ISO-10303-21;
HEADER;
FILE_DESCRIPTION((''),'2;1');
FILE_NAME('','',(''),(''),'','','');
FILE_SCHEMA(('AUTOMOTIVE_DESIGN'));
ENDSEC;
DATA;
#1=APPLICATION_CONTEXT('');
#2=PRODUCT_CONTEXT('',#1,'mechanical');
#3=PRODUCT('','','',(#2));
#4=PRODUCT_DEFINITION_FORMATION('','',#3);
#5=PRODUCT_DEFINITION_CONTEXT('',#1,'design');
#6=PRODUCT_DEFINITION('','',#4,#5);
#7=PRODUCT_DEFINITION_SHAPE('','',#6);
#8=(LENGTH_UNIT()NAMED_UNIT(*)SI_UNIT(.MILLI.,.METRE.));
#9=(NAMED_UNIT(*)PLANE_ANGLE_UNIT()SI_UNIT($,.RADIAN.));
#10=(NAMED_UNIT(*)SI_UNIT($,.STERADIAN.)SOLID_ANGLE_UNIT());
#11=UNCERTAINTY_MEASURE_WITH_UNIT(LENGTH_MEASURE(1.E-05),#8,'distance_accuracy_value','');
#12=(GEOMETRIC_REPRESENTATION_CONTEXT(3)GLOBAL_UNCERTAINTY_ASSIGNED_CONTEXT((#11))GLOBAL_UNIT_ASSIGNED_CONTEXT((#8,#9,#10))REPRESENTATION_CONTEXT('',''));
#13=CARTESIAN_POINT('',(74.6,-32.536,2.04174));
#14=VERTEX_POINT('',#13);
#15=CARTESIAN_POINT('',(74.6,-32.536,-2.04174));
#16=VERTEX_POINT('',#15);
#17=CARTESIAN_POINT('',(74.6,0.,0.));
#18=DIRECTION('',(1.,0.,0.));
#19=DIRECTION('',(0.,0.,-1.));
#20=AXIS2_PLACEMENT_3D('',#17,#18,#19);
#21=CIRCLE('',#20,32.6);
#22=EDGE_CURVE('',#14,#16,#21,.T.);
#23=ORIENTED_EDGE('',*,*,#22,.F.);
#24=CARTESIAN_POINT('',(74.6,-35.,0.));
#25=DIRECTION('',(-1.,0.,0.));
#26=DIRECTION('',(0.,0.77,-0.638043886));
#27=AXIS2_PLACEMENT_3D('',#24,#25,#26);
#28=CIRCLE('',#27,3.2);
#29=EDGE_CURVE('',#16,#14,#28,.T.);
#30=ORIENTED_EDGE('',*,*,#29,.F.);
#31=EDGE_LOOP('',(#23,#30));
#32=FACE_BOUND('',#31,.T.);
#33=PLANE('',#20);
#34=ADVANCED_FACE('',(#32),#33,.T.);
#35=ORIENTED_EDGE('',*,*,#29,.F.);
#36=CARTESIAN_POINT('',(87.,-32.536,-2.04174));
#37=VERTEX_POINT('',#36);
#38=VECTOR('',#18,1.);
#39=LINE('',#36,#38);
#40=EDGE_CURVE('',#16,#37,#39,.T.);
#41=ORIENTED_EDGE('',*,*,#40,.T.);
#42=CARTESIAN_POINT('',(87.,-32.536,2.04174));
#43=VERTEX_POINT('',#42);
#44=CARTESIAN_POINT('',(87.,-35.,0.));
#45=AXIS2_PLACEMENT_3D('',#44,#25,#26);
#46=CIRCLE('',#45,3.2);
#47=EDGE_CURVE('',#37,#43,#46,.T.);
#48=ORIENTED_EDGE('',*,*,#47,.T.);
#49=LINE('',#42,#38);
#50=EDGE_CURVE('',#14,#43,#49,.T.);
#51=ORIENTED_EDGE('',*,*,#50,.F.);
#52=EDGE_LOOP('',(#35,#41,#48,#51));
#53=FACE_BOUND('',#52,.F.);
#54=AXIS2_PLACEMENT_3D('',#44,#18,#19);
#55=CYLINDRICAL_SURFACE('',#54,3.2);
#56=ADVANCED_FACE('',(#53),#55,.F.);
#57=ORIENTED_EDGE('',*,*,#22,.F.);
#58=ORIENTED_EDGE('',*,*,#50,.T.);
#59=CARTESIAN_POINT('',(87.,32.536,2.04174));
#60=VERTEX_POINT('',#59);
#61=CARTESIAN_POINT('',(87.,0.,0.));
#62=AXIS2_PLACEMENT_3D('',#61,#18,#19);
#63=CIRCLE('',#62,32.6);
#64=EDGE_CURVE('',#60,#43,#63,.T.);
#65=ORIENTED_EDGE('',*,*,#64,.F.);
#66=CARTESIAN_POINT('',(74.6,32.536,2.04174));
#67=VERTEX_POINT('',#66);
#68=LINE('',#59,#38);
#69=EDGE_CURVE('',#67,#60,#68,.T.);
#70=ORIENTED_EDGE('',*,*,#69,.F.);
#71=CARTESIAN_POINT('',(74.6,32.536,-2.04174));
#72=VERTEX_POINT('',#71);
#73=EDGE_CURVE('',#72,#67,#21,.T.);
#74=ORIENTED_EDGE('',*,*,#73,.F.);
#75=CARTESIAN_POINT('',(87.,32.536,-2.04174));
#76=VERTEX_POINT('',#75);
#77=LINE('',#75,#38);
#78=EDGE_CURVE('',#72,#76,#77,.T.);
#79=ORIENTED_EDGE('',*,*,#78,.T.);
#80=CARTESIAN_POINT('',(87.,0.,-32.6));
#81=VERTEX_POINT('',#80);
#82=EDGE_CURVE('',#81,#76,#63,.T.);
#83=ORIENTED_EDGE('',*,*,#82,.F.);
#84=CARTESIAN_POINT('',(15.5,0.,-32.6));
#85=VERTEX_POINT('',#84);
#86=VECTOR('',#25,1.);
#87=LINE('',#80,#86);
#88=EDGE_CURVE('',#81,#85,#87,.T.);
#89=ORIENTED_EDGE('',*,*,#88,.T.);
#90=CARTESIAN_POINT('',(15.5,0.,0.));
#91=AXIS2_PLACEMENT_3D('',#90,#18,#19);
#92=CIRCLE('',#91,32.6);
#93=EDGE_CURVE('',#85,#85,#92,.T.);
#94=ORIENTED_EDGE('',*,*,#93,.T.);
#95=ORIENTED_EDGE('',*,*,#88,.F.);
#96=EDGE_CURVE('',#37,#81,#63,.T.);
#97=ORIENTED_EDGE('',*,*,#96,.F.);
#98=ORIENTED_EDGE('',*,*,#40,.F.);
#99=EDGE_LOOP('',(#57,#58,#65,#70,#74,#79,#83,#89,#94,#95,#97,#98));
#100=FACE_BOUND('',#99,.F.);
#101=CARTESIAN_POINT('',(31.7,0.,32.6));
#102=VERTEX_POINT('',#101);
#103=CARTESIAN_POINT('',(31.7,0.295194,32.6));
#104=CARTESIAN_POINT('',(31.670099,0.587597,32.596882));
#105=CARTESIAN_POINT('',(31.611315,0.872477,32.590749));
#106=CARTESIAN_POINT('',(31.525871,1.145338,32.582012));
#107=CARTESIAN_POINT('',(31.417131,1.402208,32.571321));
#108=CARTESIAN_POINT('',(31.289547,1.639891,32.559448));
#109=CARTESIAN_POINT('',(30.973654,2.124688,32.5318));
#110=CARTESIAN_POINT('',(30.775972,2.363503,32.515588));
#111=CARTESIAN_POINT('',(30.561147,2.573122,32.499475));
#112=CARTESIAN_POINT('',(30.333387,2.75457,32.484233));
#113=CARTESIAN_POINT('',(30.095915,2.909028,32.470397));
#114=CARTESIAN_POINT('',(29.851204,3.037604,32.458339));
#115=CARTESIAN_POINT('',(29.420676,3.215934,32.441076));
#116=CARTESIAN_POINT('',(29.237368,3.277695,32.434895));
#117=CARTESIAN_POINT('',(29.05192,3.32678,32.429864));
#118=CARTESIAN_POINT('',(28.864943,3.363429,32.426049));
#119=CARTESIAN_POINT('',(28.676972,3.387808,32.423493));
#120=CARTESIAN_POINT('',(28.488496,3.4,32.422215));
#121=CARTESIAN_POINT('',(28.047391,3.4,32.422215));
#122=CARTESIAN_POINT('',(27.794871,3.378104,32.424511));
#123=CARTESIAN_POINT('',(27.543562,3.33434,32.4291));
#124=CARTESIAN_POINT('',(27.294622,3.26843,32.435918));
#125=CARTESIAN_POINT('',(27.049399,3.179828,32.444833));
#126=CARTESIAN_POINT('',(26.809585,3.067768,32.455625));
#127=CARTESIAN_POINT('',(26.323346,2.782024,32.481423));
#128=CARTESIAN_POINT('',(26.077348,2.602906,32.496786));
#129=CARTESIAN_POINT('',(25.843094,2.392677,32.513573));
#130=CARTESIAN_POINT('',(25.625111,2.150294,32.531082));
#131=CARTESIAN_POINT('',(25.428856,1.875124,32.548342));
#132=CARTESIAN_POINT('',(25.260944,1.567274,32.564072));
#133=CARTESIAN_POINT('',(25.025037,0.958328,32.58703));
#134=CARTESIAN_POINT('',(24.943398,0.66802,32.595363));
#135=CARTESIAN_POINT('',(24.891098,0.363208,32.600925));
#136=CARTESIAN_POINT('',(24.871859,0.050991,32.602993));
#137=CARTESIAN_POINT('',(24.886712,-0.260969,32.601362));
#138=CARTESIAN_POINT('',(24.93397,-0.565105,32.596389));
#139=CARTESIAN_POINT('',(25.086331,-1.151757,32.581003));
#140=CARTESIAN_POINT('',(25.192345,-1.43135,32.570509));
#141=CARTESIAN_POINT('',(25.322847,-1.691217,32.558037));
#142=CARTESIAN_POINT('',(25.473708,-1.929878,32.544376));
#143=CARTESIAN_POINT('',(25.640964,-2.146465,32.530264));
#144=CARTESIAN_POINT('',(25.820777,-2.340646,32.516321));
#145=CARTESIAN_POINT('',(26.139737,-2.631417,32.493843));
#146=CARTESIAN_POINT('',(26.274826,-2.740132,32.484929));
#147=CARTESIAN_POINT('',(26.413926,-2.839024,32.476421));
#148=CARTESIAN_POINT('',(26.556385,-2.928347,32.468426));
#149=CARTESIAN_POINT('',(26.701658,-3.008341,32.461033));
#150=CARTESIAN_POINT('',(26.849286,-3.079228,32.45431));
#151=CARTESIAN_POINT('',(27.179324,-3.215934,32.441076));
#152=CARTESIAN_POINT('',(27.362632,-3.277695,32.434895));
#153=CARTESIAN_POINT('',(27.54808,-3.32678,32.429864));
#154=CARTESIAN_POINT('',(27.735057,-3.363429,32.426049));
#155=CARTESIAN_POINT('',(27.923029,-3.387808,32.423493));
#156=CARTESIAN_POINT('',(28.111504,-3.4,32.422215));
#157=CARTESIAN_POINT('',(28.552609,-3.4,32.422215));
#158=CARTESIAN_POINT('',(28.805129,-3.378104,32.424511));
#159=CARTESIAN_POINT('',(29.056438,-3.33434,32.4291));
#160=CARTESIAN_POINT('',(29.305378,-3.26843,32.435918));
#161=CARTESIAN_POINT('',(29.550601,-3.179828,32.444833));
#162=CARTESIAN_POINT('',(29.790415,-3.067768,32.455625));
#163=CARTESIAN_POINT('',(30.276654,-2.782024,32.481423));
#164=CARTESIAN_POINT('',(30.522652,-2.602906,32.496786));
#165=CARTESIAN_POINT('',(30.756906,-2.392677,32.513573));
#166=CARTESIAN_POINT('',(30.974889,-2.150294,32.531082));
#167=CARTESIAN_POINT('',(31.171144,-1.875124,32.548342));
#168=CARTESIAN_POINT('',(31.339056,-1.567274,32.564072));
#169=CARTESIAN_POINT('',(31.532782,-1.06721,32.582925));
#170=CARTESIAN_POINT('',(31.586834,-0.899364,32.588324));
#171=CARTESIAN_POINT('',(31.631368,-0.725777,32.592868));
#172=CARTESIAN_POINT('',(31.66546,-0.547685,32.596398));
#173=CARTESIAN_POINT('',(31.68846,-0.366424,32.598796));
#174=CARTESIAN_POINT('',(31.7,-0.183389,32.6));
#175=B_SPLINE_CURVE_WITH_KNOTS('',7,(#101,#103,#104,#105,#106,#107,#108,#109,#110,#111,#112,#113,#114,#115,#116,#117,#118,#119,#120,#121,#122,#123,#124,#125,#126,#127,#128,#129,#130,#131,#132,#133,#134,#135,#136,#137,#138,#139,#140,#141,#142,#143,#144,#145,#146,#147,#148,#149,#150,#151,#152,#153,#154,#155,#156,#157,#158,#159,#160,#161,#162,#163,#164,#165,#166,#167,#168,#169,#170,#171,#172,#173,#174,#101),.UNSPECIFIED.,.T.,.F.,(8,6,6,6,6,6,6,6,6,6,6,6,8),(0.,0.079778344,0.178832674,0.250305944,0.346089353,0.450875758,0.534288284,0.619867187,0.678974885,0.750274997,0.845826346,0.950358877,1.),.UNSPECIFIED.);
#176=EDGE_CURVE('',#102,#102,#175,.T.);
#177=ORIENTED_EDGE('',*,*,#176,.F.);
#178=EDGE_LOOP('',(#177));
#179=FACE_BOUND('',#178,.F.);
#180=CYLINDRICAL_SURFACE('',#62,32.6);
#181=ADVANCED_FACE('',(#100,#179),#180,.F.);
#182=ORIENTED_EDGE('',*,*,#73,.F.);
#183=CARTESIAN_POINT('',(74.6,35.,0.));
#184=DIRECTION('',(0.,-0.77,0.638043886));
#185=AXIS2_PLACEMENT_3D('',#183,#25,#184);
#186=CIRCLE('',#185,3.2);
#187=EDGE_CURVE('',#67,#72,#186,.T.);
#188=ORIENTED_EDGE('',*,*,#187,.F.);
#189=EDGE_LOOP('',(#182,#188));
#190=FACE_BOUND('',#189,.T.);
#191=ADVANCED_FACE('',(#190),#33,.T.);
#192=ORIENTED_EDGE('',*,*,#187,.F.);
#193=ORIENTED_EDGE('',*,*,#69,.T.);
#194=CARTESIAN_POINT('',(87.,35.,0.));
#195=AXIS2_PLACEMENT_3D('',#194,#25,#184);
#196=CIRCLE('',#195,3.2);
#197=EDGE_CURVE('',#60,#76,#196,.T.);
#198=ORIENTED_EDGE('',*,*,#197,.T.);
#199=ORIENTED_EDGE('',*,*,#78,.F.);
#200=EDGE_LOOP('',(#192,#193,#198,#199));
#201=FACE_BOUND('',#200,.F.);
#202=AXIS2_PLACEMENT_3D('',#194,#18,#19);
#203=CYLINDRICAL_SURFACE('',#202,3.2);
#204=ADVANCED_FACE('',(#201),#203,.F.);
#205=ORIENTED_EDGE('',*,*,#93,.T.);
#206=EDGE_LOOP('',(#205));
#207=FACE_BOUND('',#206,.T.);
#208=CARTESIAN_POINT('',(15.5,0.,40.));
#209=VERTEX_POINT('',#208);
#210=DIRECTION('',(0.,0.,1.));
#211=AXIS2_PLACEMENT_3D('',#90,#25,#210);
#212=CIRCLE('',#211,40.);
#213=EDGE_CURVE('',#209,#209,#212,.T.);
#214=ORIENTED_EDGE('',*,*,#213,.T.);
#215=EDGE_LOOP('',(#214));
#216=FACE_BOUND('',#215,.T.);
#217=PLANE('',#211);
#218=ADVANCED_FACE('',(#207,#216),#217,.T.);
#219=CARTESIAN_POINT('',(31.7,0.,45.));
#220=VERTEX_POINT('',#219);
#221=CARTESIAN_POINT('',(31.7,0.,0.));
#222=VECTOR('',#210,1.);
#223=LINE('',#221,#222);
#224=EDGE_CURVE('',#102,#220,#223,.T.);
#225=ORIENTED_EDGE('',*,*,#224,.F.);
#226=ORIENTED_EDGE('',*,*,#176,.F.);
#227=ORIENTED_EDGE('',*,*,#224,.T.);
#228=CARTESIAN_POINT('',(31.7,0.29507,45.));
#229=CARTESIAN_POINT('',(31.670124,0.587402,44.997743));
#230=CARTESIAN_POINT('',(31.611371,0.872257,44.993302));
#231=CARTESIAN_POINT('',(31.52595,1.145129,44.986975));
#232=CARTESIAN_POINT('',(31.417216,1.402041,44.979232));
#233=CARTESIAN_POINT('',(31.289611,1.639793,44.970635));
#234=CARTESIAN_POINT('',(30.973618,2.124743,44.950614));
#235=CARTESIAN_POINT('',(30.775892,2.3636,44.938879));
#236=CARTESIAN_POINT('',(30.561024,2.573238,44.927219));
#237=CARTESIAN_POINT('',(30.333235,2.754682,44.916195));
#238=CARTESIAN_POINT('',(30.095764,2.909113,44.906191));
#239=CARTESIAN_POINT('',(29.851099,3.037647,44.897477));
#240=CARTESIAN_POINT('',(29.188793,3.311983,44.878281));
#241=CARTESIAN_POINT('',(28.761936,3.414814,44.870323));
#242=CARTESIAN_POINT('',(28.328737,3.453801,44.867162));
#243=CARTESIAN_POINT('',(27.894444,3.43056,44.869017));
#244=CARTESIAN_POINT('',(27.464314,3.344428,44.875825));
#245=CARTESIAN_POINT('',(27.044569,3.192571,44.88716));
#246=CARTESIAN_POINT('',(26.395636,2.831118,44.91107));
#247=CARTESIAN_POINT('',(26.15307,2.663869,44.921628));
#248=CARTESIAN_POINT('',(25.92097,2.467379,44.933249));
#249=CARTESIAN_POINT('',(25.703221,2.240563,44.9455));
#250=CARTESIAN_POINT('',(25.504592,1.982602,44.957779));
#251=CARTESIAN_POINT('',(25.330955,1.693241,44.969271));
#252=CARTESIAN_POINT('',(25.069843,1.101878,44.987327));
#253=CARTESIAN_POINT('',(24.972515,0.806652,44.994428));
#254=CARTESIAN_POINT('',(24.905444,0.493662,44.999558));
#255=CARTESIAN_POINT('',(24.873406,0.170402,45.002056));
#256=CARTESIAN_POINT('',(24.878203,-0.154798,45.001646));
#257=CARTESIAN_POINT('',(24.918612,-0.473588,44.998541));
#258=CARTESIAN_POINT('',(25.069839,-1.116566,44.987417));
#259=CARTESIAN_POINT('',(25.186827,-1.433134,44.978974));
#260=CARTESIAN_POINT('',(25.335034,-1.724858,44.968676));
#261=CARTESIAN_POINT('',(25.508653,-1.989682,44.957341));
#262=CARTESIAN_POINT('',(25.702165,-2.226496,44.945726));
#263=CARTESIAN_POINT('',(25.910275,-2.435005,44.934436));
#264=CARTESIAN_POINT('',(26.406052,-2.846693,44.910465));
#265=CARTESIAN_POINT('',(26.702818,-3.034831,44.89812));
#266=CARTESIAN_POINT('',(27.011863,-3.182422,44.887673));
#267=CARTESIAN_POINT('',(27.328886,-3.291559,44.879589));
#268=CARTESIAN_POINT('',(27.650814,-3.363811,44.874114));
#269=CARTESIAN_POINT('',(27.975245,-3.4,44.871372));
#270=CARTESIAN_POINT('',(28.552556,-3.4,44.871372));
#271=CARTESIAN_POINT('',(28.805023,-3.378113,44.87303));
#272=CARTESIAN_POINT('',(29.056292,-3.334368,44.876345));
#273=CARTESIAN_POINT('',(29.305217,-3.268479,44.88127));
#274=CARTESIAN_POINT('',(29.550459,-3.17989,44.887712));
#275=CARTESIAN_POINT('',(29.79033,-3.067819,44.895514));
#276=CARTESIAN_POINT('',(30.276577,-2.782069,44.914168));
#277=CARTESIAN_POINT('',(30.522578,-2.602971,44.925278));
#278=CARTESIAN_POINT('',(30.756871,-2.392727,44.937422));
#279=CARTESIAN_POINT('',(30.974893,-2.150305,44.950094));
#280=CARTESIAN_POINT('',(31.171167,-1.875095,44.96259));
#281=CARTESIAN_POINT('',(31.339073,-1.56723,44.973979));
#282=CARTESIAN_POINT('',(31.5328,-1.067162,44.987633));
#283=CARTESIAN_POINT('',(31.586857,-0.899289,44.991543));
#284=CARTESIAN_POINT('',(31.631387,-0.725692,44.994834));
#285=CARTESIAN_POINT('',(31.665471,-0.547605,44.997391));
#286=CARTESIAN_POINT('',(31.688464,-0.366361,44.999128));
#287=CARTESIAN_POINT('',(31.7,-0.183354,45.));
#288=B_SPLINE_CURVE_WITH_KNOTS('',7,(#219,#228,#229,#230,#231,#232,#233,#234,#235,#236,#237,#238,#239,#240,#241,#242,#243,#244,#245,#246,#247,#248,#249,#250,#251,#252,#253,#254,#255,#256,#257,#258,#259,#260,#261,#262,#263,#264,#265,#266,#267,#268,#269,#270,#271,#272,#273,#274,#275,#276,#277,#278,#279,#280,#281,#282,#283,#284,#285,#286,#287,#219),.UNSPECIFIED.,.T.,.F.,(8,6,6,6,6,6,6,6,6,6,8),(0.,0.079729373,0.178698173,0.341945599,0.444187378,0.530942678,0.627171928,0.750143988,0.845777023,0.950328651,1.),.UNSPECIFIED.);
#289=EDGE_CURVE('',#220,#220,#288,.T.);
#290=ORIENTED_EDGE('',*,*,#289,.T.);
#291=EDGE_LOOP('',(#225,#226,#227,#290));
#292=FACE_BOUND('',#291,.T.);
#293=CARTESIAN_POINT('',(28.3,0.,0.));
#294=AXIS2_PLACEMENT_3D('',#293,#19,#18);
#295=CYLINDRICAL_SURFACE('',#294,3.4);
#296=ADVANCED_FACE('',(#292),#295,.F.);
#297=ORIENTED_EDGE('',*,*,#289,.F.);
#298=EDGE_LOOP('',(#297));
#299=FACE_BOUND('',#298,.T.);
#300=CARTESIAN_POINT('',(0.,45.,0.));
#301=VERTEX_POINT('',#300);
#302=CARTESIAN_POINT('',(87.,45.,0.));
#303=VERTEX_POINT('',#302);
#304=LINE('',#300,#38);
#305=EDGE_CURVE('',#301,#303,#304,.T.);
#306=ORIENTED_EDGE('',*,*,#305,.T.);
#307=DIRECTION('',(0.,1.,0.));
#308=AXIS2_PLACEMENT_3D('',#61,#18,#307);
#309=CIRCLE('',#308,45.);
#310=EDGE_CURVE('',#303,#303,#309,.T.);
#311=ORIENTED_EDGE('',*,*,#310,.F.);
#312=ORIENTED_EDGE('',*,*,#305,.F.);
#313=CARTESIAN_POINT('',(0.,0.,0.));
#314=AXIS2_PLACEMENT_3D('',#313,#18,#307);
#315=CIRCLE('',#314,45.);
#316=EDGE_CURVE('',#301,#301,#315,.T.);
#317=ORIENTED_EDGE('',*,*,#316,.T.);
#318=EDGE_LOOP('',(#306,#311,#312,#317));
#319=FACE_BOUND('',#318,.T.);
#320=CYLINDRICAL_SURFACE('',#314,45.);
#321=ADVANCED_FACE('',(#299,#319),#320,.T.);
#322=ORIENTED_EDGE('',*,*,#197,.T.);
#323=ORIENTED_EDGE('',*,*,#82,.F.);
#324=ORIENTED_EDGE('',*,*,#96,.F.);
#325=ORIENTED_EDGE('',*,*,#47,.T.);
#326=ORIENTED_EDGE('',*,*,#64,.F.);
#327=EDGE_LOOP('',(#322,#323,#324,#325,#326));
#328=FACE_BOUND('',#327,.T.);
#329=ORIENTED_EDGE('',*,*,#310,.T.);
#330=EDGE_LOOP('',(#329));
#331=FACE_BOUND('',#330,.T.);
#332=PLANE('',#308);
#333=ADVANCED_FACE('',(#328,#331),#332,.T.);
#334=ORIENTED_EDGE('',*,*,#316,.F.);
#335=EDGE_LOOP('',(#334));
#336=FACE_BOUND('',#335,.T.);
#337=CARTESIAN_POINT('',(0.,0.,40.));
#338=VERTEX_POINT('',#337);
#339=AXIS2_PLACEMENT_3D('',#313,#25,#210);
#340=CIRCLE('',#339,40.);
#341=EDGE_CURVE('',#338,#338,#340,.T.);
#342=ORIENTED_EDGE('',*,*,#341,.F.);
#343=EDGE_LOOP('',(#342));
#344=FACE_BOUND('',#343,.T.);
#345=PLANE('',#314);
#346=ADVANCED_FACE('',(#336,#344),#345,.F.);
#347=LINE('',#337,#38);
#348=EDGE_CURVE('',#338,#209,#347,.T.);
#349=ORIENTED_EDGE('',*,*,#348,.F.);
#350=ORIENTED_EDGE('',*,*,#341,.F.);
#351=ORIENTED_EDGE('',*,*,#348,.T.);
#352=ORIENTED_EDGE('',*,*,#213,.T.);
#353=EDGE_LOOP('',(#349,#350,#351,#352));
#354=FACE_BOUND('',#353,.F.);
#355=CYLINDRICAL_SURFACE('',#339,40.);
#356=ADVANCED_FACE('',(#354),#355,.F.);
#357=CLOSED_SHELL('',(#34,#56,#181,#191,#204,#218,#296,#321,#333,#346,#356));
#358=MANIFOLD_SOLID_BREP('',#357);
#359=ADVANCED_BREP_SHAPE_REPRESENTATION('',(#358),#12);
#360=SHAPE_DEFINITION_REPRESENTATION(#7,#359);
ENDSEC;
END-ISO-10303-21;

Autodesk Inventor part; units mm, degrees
ref_plane "YZ Plane" through (0, 0, 0) normal (1, 0, 0) x (0, 1, 0)
ref_plane "XZ Plane" through (0, 0, 0) normal (0, 1, 0) x (-1, 0, 0)
ref_plane "XY Plane" through (0, 0, 0) normal (0, 0, 1) x (1, 0, 0)
sketch "Sketch1" plane through (0, 0, 0) normal (0, 0, 1) x (1, 0, 0)
  line L0 (0, 0) -> (87, 0)
  line L1 (0, 0) -> (0, 45)
  line L2 (0, 45) -> (87, 45)
  line L3 (87, 45) -> (87, 0)
  dimension "d0" = 87
  dimension "d2" = 45
revolve "Revolution1" add sketch "Sketch1" angle 360 about axis through (0, 0, 0) along (1, 0, 0)
sketch "Sketch2" plane through (87, 0, 0) normal (1, 0, 0) x (0, 0, -1)
  circle A0 centre (0, 0) radius 32.6
  dimension "d4" = 65.2
extrude "Extrusion1" cut sketch "Sketch2" against normal through all
sketch "Sketch3" plane through (0, 0, 0) normal (-1, 0, 0) x (0, 0, 1)
  point P0 (0, 0)
sketch "Sketch4" plane through (0, 0, 0) normal (-1, 0, 0) x (0, 0, 1)
  circle A0 centre (0, 0) radius 40
  dimension "d7" = 80
extrude "Extrusion2" cut sketch "Sketch4" against normal blind 15.5
sketch "Sketch5" plane through (87, 0, 0) normal (1, 0, 0) x (0, 0, -1)
  circle A0 centre (0, 35) radius 3.2
  circle A1 centre (0, -35) radius 3.2
  point P0 (0, 0)
  dimension "d12" = 6.4
  dimension "d13" = 6.4
extrude "Extrusion3" cut sketch "Sketch5" against normal blind 12.4
sketch "Sketch6" plane through (0, 0, 0) normal (0, 0, 1) x (1, 0, 0)
  circle A0 centre (28.3, 0) radius 3.4
  point P0 (0, 0)
  dimension "d17" = 6.8
extrude "Extrusion4" cut sketch "Sketch6" along normal through all
properties part number "porca redonda"
